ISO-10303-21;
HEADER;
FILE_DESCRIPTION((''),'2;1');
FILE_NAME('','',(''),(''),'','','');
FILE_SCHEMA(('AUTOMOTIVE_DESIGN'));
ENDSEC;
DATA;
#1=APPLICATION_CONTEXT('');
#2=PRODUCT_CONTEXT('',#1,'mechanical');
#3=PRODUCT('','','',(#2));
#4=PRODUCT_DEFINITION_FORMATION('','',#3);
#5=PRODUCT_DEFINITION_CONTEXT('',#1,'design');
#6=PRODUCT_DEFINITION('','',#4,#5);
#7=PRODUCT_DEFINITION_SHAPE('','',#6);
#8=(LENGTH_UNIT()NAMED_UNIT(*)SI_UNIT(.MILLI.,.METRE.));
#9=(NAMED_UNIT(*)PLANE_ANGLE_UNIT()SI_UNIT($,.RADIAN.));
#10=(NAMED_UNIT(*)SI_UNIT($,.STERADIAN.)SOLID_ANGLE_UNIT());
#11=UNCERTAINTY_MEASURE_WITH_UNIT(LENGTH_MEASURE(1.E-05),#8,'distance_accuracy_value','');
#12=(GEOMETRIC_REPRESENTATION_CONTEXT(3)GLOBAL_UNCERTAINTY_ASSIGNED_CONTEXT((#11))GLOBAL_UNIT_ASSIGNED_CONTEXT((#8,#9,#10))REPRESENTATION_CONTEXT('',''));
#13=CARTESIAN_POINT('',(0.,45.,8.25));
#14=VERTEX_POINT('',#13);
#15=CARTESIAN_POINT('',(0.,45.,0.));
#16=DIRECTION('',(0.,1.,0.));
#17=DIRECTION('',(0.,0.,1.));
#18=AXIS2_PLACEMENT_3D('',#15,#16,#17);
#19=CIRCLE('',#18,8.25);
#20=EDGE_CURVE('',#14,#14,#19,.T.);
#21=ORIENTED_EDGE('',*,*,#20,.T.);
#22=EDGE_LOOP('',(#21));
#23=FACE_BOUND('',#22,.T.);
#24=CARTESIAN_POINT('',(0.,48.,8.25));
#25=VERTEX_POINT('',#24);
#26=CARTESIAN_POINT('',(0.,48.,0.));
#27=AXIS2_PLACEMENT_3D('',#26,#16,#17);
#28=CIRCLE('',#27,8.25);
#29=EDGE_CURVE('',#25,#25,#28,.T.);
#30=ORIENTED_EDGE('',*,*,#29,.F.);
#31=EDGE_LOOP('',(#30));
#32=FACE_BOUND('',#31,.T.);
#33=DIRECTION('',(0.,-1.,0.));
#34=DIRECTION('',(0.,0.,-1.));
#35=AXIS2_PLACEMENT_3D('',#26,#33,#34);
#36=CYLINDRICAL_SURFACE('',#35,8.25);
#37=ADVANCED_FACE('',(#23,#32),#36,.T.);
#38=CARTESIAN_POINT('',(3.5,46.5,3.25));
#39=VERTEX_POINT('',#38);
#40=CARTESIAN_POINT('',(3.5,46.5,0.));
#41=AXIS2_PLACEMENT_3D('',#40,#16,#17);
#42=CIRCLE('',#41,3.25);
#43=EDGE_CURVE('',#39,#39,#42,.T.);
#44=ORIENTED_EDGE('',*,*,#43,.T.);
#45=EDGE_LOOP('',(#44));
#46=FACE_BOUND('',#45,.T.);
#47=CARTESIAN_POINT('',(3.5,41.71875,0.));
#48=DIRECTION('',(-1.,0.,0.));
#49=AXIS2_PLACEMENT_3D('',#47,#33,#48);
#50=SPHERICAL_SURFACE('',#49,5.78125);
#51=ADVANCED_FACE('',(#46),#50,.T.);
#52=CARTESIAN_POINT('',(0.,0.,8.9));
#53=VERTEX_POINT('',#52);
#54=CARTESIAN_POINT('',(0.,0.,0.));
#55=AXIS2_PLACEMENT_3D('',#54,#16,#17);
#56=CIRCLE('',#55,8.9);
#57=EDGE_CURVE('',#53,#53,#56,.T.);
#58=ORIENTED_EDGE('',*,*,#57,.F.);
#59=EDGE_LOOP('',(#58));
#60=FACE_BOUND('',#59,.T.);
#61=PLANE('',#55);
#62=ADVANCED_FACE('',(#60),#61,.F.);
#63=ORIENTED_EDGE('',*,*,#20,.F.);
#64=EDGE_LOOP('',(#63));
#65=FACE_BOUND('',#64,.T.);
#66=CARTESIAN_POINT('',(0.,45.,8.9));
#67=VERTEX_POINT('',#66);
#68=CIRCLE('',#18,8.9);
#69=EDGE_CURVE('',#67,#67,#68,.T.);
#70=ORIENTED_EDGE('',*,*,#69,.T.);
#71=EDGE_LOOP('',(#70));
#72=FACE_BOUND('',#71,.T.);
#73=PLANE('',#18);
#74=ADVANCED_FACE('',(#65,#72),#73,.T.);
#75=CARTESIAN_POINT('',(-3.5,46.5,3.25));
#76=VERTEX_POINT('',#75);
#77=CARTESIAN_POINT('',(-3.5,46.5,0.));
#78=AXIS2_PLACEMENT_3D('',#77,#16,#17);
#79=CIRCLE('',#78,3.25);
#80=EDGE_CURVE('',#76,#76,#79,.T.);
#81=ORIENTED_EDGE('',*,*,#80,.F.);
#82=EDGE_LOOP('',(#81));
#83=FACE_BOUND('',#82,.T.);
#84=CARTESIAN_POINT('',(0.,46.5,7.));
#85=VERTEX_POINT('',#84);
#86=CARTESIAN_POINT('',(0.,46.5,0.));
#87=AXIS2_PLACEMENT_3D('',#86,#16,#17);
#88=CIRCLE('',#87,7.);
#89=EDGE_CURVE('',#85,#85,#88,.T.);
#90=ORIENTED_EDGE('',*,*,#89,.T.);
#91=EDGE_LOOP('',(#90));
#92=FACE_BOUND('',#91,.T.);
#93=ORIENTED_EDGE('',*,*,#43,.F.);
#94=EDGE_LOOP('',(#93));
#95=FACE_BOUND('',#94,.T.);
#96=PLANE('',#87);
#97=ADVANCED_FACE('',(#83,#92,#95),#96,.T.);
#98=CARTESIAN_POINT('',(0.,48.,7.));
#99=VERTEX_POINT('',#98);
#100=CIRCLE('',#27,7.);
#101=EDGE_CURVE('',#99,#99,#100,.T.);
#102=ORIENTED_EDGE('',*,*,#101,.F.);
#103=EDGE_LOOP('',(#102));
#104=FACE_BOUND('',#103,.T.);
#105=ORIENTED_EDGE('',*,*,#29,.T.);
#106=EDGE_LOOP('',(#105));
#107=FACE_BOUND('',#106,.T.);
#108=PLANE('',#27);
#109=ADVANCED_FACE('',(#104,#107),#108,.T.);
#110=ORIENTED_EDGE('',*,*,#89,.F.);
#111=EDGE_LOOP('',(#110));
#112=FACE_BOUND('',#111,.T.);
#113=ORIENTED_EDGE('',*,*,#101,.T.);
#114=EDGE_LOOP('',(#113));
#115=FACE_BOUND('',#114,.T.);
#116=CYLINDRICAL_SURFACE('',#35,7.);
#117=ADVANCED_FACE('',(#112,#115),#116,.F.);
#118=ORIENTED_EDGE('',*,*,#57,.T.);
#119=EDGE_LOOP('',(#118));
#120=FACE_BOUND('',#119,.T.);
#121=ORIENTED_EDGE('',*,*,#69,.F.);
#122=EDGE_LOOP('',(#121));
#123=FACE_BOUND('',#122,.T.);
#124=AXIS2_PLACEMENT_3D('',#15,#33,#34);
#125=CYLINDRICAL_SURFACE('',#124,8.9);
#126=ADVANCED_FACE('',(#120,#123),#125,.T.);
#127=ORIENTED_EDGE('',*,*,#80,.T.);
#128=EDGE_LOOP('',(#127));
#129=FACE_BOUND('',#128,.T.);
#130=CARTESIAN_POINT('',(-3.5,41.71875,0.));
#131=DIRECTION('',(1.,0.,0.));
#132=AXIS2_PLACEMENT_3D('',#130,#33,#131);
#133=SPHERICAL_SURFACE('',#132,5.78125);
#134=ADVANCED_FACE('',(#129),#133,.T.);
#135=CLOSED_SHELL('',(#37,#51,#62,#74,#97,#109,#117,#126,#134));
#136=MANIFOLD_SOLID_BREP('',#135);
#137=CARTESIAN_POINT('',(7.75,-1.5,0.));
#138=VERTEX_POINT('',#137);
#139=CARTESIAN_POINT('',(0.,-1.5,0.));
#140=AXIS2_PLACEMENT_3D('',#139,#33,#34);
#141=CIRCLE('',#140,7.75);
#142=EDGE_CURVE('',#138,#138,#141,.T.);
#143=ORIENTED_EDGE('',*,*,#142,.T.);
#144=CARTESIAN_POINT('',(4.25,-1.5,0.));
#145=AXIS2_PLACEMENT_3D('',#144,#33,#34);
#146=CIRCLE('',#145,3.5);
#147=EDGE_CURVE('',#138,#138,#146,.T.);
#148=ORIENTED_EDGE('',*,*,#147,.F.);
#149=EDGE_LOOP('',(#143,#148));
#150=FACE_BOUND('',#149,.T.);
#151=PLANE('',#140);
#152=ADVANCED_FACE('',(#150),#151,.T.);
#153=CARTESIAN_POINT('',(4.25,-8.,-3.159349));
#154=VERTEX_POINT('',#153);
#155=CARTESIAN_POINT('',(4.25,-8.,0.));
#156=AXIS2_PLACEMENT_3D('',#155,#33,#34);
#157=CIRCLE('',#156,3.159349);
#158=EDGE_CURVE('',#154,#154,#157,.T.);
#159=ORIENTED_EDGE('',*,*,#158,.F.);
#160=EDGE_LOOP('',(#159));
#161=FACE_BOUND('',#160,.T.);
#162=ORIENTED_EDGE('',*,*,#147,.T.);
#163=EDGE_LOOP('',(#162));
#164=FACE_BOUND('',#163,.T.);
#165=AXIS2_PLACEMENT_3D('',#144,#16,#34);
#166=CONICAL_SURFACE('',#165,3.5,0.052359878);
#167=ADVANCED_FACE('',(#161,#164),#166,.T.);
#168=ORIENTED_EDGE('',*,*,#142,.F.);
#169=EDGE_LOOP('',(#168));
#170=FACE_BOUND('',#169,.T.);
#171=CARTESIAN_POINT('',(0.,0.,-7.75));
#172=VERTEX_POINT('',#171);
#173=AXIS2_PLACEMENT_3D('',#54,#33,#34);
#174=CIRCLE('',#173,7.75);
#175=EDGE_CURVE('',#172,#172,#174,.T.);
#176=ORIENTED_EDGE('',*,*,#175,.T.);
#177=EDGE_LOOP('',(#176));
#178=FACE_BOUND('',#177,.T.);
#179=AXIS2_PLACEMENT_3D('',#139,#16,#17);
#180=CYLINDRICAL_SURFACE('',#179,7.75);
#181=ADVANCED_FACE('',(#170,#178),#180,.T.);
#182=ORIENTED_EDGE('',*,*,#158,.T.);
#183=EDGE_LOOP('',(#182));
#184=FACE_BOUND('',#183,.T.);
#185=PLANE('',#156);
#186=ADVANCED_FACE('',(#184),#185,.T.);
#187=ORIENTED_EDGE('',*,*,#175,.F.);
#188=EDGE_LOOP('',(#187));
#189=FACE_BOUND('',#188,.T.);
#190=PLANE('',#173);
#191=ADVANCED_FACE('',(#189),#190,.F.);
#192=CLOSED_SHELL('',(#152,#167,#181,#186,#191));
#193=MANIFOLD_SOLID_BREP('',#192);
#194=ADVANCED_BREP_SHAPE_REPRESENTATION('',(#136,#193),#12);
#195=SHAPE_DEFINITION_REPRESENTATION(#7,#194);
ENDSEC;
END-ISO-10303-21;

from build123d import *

# Parameters (mm, degrees)
SKETCH1_R           = 8.9
BOSS_EXTRUDE1_DEPTH = 45
SKETCH2_R           = 8.25
SKETCH2_R_2         = 7
BOSS_EXTRUDE2_DEPTH = 3
SKETCH3_R           = 7
BOSS_EXTRUDE3_DEPTH = 1.5
SKETCH6_R           = 7.75
BOSS_EXTRUDE4_DEPTH = 1.5
SKETCH7_R           = 3.5
BOSS_EXTRUDE5_DEPTH = 6.5
BOSS_EXTRUDE5_TAPER = 3


with BuildPart() as part:
    # Sketch1 → Boss-Extrude1 (new body)
    with BuildSketch(Plane(origin=(0, 0, 0), x_dir=(1, 0, 0), z_dir=(0, 1, 0))):
        Circle(SKETCH1_R)
    extrude(amount=BOSS_EXTRUDE1_DEPTH)

    # Sketch2 → Boss-Extrude2 (add)
    with BuildSketch(Plane(origin=(0, 45, 0), x_dir=(1, 0, 0), z_dir=(0, 1, 0))):
        Circle(SKETCH2_R)
        Circle(SKETCH2_R_2, mode=Mode.SUBTRACT)
    extrude(amount=BOSS_EXTRUDE2_DEPTH)

    # Sketch3 → Boss-Extrude3 (add)
    with BuildSketch(Plane(origin=(0, 45, 0), x_dir=(1, 0, 0), z_dir=(0, 1, 0))):
        Circle(SKETCH3_R)
    extrude(amount=BOSS_EXTRUDE3_DEPTH)

    # Sketch5 → Revolve5 (revolve)
    with BuildSketch(Plane.XY):
        with BuildLine():
            Line((-3.5, 46.5), (-3.5, 47.5))
            ThreePointArc((-3.5, 47.5), (-1.799816186, 47.244347394), (-0.25, 46.5))
            Line((-0.25, 46.5), (-3.5, 46.5))
        make_face()
    revolve5 = revolve(axis=Axis((-3.5, 46.5, 0), (0, 1, 0)))

    # Mirror1: Revolve5 across plane
    add(revolve5.mirror(Plane(origin=(0, 0, 0), x_dir=(0, 0, 1), z_dir=(1, 0, 0))))


with BuildPart() as body_2:
    # Sketch6 → Boss-Extrude4 (new body)
    with BuildSketch(Plane.XZ):
        Circle(SKETCH6_R)
    extrude(amount=BOSS_EXTRUDE4_DEPTH)

    # Sketch7 → Boss-Extrude5 (add)
    with BuildSketch(Plane.XZ.offset(1.5)):
        with Locations((4.25, 0)):
            Circle(SKETCH7_R)
    extrude(amount=BOSS_EXTRUDE5_DEPTH, taper=BOSS_EXTRUDE5_TAPER)


solid = Compound([part.part, body_2.part])
